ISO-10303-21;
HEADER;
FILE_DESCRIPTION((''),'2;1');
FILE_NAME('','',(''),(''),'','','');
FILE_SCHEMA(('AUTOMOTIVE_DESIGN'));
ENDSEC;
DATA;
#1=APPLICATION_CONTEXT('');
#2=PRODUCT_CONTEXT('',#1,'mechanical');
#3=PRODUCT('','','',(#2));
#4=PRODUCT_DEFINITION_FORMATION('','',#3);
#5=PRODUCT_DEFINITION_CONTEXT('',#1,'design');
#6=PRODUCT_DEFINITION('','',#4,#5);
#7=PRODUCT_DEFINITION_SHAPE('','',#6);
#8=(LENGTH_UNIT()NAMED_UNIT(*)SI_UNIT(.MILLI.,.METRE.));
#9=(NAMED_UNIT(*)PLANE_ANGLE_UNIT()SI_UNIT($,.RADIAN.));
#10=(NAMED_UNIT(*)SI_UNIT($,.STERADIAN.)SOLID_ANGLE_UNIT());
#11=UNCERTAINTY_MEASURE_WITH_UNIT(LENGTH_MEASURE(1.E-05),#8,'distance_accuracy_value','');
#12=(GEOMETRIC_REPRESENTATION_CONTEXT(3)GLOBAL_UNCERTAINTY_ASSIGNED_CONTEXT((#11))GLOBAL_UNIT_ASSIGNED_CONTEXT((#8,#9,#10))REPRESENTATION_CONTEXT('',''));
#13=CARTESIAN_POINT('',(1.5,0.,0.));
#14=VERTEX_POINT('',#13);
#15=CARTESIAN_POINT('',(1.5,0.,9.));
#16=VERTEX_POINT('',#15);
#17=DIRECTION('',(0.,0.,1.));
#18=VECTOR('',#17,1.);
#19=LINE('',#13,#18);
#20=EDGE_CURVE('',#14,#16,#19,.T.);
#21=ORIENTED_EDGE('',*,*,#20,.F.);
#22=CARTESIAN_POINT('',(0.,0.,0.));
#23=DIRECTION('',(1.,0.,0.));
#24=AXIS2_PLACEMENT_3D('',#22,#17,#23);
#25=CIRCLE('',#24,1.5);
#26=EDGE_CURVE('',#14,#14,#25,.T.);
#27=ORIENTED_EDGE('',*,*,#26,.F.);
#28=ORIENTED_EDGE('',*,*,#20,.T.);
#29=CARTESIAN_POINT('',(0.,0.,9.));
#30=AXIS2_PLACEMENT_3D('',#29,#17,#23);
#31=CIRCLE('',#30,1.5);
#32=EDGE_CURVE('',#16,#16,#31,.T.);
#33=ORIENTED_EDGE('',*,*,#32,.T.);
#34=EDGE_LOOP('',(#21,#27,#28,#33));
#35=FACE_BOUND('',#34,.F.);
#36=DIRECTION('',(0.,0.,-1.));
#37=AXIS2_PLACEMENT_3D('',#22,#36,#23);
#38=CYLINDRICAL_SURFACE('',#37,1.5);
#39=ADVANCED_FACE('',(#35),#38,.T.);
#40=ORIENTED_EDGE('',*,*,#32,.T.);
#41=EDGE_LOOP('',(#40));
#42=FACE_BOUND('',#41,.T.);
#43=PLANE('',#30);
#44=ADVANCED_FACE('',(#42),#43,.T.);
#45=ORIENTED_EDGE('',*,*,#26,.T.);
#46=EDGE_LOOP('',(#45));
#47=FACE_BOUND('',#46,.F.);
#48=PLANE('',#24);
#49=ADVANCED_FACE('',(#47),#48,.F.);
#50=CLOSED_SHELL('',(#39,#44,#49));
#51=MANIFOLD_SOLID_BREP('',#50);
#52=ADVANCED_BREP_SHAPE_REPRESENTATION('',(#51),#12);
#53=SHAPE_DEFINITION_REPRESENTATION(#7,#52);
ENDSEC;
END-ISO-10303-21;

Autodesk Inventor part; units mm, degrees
ref_plane "YZ Plane" through (0, 0, 0) normal (1, 0, 0) x (0, 1, 0)
ref_plane "XZ Plane" through (0, 0, 0) normal (0, 1, 0) x (-1, 0, 0)
ref_plane "XY Plane" through (0, 0, 0) normal (0, 0, 1) x (1, 0, 0)
sketch "Sketch1" plane through (0, 0, 0) normal (0, 0, 1) x (1, 0, 0)
  circle A0 centre (0, 0) radius 1.5
  dimension "d0" = 3
extrude "Extrusion1" add sketch "Sketch1" along normal blind 9
properties part number "herkulex pin"
